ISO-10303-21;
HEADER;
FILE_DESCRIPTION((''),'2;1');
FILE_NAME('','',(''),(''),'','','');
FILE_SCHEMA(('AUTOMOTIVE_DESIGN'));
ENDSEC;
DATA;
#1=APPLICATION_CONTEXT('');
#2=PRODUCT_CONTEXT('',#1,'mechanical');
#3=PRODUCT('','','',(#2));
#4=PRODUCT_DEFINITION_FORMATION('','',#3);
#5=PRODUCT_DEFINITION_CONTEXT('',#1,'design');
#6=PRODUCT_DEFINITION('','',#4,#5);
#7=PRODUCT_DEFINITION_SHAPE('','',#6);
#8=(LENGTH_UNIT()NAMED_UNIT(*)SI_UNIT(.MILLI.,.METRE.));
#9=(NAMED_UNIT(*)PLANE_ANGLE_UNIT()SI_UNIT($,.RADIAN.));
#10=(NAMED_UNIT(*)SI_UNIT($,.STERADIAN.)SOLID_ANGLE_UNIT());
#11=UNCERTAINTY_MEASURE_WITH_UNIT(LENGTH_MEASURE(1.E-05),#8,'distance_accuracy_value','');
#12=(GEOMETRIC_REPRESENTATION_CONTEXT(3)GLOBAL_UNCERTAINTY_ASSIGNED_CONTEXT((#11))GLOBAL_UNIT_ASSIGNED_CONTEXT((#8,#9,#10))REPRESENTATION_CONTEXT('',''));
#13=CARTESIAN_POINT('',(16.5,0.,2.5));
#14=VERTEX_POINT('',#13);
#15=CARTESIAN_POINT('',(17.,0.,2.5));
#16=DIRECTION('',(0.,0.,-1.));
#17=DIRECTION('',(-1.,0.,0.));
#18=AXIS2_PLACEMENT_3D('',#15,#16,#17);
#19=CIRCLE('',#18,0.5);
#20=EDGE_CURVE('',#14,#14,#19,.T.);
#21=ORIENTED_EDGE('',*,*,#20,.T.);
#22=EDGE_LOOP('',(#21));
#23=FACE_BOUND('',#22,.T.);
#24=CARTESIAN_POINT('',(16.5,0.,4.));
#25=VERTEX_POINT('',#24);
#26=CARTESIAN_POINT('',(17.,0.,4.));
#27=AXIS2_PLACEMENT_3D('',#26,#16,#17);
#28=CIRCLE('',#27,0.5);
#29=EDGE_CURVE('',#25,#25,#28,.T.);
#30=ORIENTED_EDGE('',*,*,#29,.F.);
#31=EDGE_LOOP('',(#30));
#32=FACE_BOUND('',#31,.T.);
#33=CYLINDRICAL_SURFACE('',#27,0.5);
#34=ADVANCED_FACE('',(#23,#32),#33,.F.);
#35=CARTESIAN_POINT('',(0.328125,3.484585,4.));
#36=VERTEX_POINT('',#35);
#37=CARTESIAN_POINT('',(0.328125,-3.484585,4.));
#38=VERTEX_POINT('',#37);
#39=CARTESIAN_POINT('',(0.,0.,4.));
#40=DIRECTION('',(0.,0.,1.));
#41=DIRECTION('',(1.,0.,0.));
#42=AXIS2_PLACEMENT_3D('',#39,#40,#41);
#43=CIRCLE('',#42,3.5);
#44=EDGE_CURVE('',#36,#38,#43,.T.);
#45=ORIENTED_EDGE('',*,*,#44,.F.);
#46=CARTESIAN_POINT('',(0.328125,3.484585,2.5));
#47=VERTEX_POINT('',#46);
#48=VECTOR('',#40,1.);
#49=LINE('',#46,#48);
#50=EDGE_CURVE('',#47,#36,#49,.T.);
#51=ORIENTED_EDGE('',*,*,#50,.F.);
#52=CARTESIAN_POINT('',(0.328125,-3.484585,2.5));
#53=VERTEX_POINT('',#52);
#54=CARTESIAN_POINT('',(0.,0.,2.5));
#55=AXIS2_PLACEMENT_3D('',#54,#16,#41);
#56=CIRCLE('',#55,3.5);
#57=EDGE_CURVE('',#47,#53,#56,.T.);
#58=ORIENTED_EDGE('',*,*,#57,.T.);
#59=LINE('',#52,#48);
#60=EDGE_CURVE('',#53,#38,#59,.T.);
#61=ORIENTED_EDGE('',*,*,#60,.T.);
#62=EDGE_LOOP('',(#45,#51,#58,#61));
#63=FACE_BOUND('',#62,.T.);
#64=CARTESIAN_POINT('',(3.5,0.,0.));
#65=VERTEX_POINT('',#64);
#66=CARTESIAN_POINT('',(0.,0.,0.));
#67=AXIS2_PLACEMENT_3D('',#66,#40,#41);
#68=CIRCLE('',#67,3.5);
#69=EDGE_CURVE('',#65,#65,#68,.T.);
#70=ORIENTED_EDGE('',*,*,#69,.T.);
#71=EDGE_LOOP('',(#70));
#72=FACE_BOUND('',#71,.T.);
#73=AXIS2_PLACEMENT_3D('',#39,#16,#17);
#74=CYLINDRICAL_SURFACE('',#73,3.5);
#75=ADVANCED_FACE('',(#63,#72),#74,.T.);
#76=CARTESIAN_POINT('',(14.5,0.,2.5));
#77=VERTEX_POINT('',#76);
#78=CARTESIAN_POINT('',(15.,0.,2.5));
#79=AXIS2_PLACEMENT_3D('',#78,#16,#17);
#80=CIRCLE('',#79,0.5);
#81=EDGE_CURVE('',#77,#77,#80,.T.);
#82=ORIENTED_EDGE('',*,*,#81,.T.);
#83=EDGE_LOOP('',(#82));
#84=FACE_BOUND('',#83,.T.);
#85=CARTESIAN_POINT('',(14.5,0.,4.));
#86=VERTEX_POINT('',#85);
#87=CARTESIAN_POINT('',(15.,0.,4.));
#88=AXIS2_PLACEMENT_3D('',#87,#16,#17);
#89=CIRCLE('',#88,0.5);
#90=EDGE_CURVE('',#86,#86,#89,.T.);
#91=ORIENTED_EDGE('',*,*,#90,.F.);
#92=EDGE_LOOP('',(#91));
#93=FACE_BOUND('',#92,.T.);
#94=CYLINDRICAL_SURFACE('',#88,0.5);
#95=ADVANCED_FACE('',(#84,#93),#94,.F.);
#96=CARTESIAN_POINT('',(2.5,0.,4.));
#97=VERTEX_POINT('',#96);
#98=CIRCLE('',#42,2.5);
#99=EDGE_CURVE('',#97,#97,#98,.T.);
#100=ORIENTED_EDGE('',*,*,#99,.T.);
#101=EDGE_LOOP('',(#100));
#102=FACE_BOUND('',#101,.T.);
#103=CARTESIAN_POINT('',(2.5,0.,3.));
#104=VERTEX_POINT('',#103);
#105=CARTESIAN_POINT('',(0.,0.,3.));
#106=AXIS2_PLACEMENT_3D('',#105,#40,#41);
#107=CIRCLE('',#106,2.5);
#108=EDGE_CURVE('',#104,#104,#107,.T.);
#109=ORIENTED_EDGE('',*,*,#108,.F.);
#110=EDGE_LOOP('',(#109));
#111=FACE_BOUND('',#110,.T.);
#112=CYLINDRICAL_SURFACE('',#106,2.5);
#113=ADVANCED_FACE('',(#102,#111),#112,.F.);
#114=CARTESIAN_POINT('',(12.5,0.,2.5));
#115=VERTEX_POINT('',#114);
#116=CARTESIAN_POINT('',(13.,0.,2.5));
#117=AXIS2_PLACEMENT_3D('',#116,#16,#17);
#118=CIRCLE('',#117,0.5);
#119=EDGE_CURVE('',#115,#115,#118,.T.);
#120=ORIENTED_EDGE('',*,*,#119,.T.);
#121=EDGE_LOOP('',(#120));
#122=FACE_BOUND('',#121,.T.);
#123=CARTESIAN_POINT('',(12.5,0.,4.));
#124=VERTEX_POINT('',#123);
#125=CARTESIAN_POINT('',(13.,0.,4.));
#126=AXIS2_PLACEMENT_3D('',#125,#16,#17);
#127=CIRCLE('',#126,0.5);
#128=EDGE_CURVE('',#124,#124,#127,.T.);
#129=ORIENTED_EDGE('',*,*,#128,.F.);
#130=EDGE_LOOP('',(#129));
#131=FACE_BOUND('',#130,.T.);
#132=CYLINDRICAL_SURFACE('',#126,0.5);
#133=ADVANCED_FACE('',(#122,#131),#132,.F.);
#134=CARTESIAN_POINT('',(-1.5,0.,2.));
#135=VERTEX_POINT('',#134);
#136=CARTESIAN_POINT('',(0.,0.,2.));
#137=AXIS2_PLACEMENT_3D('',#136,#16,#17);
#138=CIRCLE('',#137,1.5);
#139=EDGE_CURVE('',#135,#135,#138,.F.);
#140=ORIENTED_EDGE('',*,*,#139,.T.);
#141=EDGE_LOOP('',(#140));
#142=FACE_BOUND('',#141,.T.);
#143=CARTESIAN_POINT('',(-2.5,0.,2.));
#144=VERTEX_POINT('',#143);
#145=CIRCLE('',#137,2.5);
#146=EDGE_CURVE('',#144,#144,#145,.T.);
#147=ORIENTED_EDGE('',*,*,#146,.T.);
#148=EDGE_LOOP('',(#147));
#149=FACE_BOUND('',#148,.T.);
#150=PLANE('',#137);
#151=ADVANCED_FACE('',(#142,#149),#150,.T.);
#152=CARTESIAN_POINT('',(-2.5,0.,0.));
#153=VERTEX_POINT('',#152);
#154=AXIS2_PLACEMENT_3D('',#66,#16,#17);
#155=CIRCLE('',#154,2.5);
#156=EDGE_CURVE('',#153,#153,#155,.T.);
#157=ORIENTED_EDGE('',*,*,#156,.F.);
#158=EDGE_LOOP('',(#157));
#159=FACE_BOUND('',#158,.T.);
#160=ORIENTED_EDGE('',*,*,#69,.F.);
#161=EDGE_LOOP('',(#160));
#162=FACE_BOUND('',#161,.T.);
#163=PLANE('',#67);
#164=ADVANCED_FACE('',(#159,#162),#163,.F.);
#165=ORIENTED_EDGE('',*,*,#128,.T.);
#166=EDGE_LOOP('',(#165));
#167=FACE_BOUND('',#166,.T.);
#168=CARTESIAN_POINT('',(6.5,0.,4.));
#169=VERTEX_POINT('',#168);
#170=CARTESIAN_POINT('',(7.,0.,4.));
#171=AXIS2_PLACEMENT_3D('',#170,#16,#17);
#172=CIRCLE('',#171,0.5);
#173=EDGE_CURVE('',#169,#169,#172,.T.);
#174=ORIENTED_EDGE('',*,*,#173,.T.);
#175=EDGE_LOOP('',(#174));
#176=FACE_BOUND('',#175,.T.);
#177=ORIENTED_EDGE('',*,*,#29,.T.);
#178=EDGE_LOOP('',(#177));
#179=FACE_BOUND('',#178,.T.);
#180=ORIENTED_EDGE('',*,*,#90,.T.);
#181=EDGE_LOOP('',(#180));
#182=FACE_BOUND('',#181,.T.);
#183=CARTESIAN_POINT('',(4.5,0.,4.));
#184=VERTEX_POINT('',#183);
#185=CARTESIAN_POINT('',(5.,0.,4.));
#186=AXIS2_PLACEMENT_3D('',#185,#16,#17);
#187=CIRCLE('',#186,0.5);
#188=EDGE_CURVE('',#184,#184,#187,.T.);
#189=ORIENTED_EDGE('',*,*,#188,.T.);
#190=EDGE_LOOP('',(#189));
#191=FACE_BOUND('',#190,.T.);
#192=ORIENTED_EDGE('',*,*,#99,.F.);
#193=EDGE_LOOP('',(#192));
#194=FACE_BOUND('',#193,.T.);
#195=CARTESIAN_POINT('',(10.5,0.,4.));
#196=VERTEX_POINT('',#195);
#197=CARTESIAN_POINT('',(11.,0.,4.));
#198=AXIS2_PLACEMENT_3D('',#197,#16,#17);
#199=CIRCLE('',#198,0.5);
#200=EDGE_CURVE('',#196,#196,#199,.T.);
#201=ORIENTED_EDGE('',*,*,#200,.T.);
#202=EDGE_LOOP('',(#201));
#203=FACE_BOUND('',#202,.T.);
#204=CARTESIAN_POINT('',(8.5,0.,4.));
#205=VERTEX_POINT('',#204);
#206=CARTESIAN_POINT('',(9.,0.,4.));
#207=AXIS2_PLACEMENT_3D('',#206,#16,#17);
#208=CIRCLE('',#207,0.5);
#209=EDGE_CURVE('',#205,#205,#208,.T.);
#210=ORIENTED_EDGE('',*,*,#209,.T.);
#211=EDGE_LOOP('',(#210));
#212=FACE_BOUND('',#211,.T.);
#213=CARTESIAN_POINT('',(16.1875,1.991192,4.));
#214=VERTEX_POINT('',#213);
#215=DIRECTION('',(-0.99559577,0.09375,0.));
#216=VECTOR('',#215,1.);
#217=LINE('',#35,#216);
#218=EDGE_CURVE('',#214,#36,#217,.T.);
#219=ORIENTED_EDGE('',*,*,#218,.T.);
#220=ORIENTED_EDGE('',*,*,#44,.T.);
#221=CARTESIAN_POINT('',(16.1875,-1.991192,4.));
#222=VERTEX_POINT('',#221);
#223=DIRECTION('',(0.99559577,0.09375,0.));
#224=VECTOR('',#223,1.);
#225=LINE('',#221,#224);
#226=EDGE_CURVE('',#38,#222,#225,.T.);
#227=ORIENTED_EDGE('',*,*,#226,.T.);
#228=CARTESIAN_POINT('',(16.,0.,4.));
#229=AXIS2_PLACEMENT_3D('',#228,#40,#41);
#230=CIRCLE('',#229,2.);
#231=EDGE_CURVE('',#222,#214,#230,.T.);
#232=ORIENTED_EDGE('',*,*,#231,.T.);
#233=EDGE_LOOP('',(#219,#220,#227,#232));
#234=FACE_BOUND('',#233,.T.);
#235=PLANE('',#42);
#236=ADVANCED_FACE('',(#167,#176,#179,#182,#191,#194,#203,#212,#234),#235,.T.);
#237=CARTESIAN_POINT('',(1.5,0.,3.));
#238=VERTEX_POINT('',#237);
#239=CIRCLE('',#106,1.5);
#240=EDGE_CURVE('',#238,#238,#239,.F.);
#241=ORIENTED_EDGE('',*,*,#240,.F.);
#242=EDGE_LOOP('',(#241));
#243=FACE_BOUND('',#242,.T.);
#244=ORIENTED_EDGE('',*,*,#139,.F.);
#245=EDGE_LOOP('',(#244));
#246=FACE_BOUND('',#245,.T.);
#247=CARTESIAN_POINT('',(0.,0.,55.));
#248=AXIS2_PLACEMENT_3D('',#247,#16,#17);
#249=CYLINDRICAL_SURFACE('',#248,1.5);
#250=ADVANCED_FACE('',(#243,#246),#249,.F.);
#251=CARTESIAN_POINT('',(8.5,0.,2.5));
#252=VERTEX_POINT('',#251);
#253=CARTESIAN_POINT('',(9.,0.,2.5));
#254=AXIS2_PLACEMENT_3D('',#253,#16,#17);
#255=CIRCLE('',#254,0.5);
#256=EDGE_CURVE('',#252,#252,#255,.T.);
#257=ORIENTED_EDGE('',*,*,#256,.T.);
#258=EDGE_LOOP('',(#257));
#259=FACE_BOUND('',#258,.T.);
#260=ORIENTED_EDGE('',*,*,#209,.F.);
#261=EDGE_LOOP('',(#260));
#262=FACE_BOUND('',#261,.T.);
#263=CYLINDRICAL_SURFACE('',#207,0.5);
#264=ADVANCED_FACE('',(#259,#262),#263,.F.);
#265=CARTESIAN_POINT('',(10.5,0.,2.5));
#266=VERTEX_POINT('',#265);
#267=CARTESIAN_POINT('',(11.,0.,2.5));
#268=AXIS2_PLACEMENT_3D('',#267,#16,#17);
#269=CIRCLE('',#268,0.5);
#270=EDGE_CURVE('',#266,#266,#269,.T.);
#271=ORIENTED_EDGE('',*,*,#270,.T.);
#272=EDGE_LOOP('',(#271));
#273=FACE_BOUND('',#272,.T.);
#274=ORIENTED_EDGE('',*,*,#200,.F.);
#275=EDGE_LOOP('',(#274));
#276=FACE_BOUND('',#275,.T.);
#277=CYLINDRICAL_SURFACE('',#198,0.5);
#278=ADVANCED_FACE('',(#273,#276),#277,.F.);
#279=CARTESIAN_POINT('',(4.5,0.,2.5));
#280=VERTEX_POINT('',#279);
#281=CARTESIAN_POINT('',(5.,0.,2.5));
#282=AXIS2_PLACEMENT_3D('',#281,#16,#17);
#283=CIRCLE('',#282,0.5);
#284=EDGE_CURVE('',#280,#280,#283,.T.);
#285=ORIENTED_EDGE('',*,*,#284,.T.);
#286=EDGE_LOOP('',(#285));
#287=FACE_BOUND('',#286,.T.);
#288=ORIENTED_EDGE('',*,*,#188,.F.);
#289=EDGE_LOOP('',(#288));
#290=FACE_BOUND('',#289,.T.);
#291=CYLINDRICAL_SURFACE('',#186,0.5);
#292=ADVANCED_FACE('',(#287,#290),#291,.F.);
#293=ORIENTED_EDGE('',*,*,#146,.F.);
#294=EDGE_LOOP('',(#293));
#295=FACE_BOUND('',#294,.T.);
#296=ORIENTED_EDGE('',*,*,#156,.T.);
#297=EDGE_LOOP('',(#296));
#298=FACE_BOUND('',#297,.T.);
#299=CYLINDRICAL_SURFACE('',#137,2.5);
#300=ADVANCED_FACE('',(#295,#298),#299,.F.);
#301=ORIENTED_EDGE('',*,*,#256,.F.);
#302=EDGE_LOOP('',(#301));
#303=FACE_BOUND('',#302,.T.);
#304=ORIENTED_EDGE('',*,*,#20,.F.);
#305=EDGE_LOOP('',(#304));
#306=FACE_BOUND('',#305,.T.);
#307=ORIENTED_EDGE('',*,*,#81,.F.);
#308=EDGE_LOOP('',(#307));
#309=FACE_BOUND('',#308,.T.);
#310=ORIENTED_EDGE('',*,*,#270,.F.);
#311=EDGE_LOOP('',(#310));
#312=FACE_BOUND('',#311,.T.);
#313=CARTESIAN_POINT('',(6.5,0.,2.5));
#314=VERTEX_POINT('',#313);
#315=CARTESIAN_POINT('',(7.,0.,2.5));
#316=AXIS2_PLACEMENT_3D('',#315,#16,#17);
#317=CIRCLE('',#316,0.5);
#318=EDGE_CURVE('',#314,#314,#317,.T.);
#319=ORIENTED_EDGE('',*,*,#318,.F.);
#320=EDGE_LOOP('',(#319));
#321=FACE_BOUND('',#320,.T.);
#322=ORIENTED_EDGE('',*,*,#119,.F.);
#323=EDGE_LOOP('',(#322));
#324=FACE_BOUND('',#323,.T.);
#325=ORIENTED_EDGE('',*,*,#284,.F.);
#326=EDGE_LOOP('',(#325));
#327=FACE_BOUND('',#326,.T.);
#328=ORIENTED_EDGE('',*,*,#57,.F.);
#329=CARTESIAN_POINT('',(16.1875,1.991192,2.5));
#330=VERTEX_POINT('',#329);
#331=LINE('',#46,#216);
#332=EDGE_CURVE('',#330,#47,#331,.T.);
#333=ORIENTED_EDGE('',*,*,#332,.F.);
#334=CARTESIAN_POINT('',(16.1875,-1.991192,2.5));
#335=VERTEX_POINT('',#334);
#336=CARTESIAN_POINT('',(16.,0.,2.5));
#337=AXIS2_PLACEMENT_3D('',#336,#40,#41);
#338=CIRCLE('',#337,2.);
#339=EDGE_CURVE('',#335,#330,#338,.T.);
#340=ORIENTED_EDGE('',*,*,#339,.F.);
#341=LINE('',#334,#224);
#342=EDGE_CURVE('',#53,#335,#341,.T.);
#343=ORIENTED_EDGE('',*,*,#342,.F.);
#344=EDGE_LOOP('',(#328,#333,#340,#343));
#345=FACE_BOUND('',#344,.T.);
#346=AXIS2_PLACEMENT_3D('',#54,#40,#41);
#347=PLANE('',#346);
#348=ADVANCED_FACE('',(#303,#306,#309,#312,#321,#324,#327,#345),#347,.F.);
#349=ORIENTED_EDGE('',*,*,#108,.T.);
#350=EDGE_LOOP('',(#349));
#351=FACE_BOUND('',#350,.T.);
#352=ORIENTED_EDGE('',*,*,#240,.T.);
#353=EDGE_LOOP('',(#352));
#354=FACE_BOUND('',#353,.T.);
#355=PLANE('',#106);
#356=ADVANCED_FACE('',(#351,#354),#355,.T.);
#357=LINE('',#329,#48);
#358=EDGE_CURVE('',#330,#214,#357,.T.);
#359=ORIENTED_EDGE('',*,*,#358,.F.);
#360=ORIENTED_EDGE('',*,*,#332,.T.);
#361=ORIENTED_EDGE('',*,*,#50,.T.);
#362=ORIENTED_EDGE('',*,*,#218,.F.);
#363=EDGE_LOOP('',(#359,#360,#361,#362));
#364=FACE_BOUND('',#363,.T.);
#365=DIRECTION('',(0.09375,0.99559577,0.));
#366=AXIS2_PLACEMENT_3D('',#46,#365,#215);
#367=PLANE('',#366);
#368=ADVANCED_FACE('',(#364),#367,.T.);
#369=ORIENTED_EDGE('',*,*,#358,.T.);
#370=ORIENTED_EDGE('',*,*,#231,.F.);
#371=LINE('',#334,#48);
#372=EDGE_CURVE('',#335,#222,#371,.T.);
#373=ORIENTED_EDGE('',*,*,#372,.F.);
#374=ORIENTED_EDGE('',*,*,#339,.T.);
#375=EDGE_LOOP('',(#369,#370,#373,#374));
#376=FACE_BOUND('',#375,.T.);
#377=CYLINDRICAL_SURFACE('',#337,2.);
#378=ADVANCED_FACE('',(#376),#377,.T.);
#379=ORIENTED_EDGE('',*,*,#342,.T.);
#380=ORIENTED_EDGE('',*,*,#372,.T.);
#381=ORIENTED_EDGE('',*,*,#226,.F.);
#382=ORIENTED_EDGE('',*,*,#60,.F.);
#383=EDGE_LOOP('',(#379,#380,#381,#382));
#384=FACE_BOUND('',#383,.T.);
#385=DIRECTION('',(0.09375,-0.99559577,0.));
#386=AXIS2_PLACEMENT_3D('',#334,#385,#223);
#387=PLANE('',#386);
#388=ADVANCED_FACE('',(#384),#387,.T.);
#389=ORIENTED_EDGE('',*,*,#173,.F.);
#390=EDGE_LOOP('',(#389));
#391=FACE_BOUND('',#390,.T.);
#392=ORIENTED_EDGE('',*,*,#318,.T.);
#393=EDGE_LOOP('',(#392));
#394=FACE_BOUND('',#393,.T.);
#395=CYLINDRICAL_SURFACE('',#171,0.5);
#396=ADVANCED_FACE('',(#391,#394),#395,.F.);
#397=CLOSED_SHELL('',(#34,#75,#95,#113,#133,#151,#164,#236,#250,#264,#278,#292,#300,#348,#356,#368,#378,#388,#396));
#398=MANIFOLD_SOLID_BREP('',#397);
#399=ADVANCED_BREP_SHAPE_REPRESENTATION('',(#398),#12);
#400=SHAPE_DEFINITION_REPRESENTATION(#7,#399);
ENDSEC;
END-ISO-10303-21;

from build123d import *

# Parameters (mm, degrees)
SKETCH_1_R          = 3.5
EXTRUDE_1_DEPTH     = 4
EXTRUDE_START       = -1.5
EXTRUDE_2_DEPTH     = 1.5
SKETCH_3_R          = 0.5
CUT_EXTRUDE_1_DEPTH = 1.5
SKETCH_4_R          = 1.5
CUT_EXTRUDE_2_DEPTH = 55
SKETCH_5_R          = 2.5
CUT_EXTRUDE_3_DEPTH = 2
CUT_EXTRUDE_START   = -1
SKETCH_6_R          = 2.5
CUT_EXTRUDE_4_DEPTH = 1


with BuildPart() as part:
    # 草图1 → 凸台-拉伸1 (new body)
    with BuildSketch(Plane.XY):
        Circle(SKETCH_1_R)
    extrude(amount=EXTRUDE_1_DEPTH)

    # 草图2 → 凸台-拉伸2 (add)
    with BuildSketch(Plane.XY.offset(4).offset(EXTRUDE_START)):
        with BuildLine():
            Line((0.328125, 3.484585195), (16.1875, 1.99119154))
            ThreePointArc((16.1875, 1.99119154), (18, 0), (16.1875, -1.99119154))
            Line((16.1875, -1.99119154), (0.328125, -3.484585195))
            ThreePointArc((0.328125, -3.484585195), (3.5, 0), (0.328125, 3.484585195))
        make_face()
    extrude(amount=EXTRUDE_2_DEPTH)

    # 草图3 → 切除-拉伸1 (cut)
    with BuildSketch(Plane(origin=(0, 0, 2.5), x_dir=(-1, 0, 0), z_dir=(0, 0, -1))):
        with Locations((-7, 0)):
            Circle(SKETCH_3_R)
        with Locations((-9, 0)):
            Circle(SKETCH_3_R)
        with Locations((-11, 0)):
            Circle(SKETCH_3_R)
        with Locations((-13, 0)):
            Circle(SKETCH_3_R)
        with Locations((-15, 0)):
            Circle(SKETCH_3_R)
        with Locations((-5, 0)):
            Circle(SKETCH_3_R)
        with Locations((-17, 0)):
            Circle(SKETCH_3_R)
    extrude(amount=-CUT_EXTRUDE_1_DEPTH, mode=Mode.SUBTRACT)

    # 草图4 → 切除-拉伸2 (cut)
    with BuildSketch(Plane(origin=(0, 0, 0), x_dir=(-1, 0, 0), z_dir=(0, 0, -1))):
        Circle(SKETCH_4_R)
    extrude(amount=-CUT_EXTRUDE_2_DEPTH, mode=Mode.SUBTRACT)

    # 草图5 → 切除-拉伸3 (cut)
    with BuildSketch(Plane(origin=(0, 0, 0), x_dir=(-1, 0, 0), z_dir=(0, 0, -1))):
        Circle(SKETCH_5_R)
    extrude(amount=-CUT_EXTRUDE_3_DEPTH, mode=Mode.SUBTRACT)

    # 草图6 → 切除-拉伸4 (cut)
    with BuildSketch(Plane.XY.offset(4).offset(CUT_EXTRUDE_START)):
        with Locations(Location((0, 0, 0), (0, 0, 180))):
            Circle(SKETCH_6_R)
    extrude(amount=CUT_EXTRUDE_4_DEPTH, mode=Mode.SUBTRACT)


solid = part.part
